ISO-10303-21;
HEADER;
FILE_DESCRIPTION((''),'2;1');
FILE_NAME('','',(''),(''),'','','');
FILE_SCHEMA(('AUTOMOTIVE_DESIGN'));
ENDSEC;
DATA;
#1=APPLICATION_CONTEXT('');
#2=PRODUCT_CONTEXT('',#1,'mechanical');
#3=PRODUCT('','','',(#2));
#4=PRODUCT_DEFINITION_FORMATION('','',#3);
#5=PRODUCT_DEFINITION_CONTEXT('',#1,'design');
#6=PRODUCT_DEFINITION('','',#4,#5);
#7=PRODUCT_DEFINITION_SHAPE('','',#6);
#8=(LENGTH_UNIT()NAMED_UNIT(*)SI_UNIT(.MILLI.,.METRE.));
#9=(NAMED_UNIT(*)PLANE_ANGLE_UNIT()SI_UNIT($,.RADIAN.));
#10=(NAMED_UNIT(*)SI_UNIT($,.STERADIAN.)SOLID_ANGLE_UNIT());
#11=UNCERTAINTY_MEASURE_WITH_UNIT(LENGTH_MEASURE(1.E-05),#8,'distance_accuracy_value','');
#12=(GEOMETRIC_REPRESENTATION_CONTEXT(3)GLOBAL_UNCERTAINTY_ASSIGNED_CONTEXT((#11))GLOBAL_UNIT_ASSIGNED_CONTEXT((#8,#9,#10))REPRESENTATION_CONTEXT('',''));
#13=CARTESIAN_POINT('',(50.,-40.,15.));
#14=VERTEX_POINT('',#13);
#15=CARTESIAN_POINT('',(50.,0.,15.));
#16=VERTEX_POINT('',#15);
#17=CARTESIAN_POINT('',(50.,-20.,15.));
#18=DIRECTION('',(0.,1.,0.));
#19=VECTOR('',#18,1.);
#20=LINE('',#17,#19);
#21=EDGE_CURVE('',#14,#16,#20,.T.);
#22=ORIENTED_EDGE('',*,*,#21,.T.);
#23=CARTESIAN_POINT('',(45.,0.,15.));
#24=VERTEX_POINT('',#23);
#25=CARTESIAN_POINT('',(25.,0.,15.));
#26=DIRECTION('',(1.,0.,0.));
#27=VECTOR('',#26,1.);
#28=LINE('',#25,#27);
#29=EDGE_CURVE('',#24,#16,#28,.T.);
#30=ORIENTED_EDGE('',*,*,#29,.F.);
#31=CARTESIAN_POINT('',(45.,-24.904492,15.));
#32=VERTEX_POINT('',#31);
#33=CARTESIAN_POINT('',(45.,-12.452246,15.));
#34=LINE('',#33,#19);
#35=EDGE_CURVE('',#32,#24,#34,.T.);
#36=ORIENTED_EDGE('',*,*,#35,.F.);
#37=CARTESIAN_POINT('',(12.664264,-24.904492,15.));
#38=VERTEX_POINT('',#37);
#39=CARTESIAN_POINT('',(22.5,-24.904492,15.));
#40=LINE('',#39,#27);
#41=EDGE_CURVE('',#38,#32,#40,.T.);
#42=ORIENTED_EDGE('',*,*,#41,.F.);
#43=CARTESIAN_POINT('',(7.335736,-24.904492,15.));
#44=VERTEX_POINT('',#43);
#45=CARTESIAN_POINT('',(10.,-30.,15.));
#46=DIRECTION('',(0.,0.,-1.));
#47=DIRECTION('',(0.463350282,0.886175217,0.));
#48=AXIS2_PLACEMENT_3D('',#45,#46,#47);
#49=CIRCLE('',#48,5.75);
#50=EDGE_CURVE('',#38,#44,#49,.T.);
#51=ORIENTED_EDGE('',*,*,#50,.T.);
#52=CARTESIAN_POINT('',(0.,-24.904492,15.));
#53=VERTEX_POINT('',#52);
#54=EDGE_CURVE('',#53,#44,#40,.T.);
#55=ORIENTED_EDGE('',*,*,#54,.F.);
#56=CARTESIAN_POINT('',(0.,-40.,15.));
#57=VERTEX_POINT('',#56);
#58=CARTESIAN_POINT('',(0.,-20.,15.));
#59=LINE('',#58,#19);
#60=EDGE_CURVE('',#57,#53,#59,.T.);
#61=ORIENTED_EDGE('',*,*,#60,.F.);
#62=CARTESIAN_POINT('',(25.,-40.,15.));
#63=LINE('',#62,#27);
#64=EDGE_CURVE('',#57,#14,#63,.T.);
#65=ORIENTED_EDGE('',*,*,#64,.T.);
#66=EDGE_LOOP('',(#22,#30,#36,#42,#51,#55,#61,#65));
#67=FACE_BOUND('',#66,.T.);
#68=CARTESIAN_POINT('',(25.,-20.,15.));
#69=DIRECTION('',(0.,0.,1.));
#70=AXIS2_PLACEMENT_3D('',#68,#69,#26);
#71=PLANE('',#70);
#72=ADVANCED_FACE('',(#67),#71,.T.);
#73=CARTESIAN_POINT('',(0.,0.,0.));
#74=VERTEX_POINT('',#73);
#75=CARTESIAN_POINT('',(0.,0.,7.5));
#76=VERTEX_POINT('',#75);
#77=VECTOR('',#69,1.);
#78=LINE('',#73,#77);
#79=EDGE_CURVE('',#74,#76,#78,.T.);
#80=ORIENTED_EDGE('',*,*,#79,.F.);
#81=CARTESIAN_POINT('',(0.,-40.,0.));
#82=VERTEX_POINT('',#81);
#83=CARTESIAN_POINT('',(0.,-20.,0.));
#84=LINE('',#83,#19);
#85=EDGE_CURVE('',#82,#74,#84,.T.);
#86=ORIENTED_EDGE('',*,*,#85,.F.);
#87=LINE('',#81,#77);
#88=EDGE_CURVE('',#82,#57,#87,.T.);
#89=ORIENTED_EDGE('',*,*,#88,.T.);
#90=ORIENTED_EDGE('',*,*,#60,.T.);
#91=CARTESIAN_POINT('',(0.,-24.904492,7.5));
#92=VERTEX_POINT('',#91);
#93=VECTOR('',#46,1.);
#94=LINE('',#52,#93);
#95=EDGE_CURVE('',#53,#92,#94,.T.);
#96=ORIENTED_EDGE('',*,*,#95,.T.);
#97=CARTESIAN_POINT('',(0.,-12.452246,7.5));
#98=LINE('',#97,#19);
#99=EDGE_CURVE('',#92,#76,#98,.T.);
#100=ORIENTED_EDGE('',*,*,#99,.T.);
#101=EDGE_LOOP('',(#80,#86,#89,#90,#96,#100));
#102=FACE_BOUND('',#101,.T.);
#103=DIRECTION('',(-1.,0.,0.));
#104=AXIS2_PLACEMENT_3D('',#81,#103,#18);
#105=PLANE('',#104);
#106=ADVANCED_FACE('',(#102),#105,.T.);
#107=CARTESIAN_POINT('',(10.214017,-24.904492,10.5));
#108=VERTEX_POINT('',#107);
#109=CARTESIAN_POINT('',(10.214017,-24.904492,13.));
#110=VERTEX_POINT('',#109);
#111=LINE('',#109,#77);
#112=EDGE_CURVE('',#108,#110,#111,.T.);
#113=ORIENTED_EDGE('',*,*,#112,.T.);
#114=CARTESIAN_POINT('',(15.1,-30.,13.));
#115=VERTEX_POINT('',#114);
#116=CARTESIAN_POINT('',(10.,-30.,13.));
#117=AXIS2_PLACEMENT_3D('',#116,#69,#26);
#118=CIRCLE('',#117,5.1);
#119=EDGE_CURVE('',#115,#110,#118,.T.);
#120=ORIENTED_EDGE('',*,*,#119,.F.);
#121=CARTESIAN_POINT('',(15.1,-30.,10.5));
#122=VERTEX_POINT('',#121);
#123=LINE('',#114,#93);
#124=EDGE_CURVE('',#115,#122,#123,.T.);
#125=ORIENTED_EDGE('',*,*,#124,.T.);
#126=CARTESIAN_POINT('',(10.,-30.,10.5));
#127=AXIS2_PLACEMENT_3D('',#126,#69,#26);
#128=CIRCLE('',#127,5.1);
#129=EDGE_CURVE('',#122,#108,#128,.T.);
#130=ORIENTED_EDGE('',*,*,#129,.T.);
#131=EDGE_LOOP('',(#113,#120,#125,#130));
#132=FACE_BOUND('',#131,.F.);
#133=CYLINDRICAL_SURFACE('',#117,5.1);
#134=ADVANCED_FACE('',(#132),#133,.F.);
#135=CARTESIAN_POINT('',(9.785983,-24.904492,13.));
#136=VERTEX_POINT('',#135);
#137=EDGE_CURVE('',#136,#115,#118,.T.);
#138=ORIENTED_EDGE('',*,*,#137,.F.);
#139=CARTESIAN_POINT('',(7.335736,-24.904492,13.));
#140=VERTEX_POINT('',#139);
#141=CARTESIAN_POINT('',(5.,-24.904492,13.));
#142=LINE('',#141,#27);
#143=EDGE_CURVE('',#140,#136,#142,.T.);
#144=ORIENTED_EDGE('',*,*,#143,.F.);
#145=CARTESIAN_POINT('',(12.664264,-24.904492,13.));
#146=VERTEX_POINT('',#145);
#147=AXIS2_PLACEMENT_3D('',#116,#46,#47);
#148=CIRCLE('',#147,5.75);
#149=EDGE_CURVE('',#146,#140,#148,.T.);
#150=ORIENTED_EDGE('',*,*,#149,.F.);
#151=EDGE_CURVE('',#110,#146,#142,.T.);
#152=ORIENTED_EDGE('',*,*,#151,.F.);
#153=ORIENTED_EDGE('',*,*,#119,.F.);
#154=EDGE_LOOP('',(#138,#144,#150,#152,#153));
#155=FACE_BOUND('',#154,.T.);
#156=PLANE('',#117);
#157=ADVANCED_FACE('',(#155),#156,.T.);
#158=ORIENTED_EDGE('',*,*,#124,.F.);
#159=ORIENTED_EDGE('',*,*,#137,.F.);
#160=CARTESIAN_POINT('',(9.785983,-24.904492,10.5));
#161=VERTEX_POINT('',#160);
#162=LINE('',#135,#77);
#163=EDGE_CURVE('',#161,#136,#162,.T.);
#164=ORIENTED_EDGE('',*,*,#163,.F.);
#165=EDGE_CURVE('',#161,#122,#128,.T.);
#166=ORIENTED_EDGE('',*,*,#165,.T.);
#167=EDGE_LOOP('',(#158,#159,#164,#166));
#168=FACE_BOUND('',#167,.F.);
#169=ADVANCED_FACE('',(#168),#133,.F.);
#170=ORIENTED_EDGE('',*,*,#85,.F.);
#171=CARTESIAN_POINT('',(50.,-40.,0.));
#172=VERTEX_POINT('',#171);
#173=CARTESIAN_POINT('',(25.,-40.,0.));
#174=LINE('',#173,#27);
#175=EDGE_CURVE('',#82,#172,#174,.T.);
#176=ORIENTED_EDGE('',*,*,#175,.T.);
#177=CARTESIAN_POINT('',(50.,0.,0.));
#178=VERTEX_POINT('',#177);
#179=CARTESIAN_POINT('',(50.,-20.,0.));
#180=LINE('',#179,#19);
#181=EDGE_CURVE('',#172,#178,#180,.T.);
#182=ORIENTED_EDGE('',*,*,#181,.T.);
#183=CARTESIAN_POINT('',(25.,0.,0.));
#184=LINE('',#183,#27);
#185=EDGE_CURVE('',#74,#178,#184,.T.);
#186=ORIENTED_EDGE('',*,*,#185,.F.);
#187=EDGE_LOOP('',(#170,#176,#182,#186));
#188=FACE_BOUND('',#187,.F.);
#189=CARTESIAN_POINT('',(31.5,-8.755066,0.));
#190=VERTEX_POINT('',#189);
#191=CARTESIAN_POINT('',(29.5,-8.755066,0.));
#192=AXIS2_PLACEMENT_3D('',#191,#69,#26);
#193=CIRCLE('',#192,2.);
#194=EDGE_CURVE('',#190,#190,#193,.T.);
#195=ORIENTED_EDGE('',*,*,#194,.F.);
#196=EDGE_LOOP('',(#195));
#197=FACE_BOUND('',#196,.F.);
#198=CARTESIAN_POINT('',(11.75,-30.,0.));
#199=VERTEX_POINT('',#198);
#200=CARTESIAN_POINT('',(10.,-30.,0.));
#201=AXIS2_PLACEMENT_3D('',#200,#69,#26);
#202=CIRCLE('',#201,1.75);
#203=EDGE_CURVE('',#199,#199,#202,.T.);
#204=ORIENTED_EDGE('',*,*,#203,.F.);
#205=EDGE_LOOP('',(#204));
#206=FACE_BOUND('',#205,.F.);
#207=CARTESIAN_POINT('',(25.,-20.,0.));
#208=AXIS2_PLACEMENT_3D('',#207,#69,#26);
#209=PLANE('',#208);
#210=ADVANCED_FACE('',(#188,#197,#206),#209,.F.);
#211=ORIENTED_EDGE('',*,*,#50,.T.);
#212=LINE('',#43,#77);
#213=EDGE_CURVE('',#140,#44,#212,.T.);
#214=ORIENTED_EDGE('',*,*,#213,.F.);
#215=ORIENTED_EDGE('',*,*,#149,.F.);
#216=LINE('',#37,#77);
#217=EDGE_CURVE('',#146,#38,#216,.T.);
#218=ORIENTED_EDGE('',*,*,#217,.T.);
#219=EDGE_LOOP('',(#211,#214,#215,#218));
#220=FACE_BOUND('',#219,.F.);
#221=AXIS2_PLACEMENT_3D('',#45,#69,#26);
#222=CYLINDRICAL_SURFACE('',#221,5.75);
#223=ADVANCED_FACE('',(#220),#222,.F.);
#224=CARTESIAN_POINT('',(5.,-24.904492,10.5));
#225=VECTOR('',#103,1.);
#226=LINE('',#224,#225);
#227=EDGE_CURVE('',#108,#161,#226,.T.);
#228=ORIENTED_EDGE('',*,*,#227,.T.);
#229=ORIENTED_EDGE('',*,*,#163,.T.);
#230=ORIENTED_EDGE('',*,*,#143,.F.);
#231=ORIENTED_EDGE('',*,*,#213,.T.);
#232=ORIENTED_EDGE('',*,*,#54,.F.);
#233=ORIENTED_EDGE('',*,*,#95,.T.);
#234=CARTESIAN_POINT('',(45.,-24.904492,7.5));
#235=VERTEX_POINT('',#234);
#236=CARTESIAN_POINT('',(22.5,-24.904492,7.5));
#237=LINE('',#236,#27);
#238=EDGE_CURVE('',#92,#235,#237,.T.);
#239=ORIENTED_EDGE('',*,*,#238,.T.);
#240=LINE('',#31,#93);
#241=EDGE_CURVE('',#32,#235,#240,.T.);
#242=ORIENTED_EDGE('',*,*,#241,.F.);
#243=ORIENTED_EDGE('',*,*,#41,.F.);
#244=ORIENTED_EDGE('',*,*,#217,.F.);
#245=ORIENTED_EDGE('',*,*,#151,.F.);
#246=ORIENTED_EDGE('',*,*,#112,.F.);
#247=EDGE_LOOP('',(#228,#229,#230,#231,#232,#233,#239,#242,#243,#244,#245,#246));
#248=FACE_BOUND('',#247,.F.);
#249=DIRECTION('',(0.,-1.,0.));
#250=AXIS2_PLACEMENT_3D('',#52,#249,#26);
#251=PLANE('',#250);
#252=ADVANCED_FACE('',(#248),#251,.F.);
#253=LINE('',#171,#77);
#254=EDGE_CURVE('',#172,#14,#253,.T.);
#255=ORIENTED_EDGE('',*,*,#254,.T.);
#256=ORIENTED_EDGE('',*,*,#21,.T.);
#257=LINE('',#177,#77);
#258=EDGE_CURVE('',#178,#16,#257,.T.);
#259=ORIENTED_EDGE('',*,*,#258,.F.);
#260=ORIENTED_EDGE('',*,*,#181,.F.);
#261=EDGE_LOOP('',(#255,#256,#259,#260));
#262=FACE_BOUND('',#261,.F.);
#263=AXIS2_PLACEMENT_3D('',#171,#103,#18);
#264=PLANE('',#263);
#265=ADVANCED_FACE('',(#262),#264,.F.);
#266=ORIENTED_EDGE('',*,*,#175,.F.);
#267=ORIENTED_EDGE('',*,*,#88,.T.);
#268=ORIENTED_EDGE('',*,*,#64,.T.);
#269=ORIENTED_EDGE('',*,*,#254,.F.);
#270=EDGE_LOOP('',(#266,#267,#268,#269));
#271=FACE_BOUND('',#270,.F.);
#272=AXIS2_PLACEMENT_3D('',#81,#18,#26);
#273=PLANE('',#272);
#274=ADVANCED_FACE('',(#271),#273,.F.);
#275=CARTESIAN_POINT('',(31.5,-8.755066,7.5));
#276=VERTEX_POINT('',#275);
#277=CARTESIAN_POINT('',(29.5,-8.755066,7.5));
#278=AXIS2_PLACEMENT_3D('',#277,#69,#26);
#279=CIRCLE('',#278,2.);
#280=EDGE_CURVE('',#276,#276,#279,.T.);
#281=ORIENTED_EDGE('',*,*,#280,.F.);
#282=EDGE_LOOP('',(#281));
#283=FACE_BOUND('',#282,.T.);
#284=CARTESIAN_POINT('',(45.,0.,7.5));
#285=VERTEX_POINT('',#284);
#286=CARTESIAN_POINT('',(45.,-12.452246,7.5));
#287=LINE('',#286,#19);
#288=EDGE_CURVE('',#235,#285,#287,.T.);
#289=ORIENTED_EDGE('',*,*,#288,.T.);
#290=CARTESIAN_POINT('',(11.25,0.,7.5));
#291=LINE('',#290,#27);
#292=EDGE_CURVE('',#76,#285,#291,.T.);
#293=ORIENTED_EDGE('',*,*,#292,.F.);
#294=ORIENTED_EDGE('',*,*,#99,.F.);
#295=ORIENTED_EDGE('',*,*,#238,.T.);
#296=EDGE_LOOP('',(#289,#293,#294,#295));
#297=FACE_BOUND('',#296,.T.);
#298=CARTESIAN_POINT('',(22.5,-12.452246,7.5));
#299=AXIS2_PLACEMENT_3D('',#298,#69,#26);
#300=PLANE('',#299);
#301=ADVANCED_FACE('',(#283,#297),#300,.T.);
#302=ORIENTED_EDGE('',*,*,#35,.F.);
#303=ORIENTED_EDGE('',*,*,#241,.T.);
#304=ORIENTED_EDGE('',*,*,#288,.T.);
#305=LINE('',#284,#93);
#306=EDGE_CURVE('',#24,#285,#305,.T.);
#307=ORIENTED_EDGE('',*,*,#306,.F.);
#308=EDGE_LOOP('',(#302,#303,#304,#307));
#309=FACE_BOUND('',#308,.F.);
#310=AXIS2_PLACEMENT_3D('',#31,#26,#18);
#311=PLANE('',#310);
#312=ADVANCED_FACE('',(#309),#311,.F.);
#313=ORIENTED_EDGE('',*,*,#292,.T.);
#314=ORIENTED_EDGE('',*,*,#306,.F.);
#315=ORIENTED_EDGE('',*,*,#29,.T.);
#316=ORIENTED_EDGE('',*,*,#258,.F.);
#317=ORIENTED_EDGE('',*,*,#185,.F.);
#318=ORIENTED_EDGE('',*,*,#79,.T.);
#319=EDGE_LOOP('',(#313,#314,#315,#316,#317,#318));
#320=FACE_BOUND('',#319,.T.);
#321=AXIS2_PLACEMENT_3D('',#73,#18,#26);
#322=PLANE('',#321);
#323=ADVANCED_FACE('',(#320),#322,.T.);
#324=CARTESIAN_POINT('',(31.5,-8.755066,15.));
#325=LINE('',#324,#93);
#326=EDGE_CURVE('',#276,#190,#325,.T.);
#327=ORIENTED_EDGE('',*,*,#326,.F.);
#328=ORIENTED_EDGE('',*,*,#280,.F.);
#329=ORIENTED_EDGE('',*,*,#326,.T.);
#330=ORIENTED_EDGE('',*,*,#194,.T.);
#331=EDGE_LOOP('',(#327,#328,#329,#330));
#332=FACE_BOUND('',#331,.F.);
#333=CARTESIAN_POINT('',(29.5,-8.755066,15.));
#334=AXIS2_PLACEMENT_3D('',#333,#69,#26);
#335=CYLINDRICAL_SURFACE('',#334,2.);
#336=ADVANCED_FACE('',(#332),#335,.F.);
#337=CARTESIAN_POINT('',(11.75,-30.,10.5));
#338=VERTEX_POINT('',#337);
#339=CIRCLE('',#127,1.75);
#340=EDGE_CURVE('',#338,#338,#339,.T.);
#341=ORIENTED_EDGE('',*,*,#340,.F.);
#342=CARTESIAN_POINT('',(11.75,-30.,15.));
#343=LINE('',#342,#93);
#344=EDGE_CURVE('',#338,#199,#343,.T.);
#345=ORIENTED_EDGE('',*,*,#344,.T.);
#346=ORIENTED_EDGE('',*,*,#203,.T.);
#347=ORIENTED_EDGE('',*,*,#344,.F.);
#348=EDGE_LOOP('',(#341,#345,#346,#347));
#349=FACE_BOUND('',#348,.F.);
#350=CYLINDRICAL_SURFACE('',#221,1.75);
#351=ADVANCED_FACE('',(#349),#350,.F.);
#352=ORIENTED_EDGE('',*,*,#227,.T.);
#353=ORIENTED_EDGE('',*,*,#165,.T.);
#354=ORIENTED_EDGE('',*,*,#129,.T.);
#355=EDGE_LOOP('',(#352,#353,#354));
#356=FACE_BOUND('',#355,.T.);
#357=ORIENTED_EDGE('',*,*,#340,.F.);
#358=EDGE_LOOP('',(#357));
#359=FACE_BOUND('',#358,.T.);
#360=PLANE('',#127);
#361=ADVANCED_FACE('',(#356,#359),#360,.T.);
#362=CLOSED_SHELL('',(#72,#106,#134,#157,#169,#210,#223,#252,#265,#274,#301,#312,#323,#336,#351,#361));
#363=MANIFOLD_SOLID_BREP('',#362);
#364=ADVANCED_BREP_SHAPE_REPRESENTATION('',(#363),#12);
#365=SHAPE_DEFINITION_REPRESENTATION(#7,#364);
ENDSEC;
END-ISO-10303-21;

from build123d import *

# Parameters (mm, degrees)
F0_W      = 50
F0_H      = 40
F1_DEPTH  = 15
F2_R      = 5.75
F3_DEPTH  = 2
F4_R      = 2
F5_DEPTH  = 15.001
F6_W      = 45
F6_H      = 24.904493
F7_DEPTH  = 7.5
F8_R      = 5.1
F9_DEPTH  = 2.5
F10_R     = 1.75
F11_DEPTH = 15.001


with BuildPart() as f1:
    # F0 (on Top) → F1 (new body)
    with BuildSketch(Plane.XY):
        with Locations((25, -20)):
            Rectangle(F0_W, F0_H)
    extrude(amount=F1_DEPTH)

    # F2 (on face) → F3 (cut)
    with BuildSketch(Plane.XY.offset(15)):
        with Locations((10, -30)):
            Circle(F2_R)
    extrude(amount=-F3_DEPTH, mode=Mode.SUBTRACT)

    # F4 (on face) → F5 (cut, through all)
    with BuildSketch(Plane.XY.offset(15)):
        with Locations((29.5, -8.755066)):
            Circle(F4_R)
    extrude(amount=-F5_DEPTH, mode=Mode.SUBTRACT)

    # F6 (on face) → F7 (cut)
    with BuildSketch(Plane.XY.offset(15)):
        with Locations((22.5, -12.452246)):
            Rectangle(F6_W, F6_H)
    extrude(amount=-F7_DEPTH, mode=Mode.SUBTRACT)

    # F8 (on face) → F9 (cut)
    with BuildSketch(Plane.XY.offset(13)):
        with Locations((10, -30)):
            Circle(F8_R)
    extrude(amount=-F9_DEPTH, mode=Mode.SUBTRACT)

    # F10 (on face) → F11 (cut, through all)
    with BuildSketch(Plane.XY.offset(15)):
        with Locations((10, -30)):
            Circle(F10_R)
    extrude(amount=-F11_DEPTH, mode=Mode.SUBTRACT)


solid = f1.part
